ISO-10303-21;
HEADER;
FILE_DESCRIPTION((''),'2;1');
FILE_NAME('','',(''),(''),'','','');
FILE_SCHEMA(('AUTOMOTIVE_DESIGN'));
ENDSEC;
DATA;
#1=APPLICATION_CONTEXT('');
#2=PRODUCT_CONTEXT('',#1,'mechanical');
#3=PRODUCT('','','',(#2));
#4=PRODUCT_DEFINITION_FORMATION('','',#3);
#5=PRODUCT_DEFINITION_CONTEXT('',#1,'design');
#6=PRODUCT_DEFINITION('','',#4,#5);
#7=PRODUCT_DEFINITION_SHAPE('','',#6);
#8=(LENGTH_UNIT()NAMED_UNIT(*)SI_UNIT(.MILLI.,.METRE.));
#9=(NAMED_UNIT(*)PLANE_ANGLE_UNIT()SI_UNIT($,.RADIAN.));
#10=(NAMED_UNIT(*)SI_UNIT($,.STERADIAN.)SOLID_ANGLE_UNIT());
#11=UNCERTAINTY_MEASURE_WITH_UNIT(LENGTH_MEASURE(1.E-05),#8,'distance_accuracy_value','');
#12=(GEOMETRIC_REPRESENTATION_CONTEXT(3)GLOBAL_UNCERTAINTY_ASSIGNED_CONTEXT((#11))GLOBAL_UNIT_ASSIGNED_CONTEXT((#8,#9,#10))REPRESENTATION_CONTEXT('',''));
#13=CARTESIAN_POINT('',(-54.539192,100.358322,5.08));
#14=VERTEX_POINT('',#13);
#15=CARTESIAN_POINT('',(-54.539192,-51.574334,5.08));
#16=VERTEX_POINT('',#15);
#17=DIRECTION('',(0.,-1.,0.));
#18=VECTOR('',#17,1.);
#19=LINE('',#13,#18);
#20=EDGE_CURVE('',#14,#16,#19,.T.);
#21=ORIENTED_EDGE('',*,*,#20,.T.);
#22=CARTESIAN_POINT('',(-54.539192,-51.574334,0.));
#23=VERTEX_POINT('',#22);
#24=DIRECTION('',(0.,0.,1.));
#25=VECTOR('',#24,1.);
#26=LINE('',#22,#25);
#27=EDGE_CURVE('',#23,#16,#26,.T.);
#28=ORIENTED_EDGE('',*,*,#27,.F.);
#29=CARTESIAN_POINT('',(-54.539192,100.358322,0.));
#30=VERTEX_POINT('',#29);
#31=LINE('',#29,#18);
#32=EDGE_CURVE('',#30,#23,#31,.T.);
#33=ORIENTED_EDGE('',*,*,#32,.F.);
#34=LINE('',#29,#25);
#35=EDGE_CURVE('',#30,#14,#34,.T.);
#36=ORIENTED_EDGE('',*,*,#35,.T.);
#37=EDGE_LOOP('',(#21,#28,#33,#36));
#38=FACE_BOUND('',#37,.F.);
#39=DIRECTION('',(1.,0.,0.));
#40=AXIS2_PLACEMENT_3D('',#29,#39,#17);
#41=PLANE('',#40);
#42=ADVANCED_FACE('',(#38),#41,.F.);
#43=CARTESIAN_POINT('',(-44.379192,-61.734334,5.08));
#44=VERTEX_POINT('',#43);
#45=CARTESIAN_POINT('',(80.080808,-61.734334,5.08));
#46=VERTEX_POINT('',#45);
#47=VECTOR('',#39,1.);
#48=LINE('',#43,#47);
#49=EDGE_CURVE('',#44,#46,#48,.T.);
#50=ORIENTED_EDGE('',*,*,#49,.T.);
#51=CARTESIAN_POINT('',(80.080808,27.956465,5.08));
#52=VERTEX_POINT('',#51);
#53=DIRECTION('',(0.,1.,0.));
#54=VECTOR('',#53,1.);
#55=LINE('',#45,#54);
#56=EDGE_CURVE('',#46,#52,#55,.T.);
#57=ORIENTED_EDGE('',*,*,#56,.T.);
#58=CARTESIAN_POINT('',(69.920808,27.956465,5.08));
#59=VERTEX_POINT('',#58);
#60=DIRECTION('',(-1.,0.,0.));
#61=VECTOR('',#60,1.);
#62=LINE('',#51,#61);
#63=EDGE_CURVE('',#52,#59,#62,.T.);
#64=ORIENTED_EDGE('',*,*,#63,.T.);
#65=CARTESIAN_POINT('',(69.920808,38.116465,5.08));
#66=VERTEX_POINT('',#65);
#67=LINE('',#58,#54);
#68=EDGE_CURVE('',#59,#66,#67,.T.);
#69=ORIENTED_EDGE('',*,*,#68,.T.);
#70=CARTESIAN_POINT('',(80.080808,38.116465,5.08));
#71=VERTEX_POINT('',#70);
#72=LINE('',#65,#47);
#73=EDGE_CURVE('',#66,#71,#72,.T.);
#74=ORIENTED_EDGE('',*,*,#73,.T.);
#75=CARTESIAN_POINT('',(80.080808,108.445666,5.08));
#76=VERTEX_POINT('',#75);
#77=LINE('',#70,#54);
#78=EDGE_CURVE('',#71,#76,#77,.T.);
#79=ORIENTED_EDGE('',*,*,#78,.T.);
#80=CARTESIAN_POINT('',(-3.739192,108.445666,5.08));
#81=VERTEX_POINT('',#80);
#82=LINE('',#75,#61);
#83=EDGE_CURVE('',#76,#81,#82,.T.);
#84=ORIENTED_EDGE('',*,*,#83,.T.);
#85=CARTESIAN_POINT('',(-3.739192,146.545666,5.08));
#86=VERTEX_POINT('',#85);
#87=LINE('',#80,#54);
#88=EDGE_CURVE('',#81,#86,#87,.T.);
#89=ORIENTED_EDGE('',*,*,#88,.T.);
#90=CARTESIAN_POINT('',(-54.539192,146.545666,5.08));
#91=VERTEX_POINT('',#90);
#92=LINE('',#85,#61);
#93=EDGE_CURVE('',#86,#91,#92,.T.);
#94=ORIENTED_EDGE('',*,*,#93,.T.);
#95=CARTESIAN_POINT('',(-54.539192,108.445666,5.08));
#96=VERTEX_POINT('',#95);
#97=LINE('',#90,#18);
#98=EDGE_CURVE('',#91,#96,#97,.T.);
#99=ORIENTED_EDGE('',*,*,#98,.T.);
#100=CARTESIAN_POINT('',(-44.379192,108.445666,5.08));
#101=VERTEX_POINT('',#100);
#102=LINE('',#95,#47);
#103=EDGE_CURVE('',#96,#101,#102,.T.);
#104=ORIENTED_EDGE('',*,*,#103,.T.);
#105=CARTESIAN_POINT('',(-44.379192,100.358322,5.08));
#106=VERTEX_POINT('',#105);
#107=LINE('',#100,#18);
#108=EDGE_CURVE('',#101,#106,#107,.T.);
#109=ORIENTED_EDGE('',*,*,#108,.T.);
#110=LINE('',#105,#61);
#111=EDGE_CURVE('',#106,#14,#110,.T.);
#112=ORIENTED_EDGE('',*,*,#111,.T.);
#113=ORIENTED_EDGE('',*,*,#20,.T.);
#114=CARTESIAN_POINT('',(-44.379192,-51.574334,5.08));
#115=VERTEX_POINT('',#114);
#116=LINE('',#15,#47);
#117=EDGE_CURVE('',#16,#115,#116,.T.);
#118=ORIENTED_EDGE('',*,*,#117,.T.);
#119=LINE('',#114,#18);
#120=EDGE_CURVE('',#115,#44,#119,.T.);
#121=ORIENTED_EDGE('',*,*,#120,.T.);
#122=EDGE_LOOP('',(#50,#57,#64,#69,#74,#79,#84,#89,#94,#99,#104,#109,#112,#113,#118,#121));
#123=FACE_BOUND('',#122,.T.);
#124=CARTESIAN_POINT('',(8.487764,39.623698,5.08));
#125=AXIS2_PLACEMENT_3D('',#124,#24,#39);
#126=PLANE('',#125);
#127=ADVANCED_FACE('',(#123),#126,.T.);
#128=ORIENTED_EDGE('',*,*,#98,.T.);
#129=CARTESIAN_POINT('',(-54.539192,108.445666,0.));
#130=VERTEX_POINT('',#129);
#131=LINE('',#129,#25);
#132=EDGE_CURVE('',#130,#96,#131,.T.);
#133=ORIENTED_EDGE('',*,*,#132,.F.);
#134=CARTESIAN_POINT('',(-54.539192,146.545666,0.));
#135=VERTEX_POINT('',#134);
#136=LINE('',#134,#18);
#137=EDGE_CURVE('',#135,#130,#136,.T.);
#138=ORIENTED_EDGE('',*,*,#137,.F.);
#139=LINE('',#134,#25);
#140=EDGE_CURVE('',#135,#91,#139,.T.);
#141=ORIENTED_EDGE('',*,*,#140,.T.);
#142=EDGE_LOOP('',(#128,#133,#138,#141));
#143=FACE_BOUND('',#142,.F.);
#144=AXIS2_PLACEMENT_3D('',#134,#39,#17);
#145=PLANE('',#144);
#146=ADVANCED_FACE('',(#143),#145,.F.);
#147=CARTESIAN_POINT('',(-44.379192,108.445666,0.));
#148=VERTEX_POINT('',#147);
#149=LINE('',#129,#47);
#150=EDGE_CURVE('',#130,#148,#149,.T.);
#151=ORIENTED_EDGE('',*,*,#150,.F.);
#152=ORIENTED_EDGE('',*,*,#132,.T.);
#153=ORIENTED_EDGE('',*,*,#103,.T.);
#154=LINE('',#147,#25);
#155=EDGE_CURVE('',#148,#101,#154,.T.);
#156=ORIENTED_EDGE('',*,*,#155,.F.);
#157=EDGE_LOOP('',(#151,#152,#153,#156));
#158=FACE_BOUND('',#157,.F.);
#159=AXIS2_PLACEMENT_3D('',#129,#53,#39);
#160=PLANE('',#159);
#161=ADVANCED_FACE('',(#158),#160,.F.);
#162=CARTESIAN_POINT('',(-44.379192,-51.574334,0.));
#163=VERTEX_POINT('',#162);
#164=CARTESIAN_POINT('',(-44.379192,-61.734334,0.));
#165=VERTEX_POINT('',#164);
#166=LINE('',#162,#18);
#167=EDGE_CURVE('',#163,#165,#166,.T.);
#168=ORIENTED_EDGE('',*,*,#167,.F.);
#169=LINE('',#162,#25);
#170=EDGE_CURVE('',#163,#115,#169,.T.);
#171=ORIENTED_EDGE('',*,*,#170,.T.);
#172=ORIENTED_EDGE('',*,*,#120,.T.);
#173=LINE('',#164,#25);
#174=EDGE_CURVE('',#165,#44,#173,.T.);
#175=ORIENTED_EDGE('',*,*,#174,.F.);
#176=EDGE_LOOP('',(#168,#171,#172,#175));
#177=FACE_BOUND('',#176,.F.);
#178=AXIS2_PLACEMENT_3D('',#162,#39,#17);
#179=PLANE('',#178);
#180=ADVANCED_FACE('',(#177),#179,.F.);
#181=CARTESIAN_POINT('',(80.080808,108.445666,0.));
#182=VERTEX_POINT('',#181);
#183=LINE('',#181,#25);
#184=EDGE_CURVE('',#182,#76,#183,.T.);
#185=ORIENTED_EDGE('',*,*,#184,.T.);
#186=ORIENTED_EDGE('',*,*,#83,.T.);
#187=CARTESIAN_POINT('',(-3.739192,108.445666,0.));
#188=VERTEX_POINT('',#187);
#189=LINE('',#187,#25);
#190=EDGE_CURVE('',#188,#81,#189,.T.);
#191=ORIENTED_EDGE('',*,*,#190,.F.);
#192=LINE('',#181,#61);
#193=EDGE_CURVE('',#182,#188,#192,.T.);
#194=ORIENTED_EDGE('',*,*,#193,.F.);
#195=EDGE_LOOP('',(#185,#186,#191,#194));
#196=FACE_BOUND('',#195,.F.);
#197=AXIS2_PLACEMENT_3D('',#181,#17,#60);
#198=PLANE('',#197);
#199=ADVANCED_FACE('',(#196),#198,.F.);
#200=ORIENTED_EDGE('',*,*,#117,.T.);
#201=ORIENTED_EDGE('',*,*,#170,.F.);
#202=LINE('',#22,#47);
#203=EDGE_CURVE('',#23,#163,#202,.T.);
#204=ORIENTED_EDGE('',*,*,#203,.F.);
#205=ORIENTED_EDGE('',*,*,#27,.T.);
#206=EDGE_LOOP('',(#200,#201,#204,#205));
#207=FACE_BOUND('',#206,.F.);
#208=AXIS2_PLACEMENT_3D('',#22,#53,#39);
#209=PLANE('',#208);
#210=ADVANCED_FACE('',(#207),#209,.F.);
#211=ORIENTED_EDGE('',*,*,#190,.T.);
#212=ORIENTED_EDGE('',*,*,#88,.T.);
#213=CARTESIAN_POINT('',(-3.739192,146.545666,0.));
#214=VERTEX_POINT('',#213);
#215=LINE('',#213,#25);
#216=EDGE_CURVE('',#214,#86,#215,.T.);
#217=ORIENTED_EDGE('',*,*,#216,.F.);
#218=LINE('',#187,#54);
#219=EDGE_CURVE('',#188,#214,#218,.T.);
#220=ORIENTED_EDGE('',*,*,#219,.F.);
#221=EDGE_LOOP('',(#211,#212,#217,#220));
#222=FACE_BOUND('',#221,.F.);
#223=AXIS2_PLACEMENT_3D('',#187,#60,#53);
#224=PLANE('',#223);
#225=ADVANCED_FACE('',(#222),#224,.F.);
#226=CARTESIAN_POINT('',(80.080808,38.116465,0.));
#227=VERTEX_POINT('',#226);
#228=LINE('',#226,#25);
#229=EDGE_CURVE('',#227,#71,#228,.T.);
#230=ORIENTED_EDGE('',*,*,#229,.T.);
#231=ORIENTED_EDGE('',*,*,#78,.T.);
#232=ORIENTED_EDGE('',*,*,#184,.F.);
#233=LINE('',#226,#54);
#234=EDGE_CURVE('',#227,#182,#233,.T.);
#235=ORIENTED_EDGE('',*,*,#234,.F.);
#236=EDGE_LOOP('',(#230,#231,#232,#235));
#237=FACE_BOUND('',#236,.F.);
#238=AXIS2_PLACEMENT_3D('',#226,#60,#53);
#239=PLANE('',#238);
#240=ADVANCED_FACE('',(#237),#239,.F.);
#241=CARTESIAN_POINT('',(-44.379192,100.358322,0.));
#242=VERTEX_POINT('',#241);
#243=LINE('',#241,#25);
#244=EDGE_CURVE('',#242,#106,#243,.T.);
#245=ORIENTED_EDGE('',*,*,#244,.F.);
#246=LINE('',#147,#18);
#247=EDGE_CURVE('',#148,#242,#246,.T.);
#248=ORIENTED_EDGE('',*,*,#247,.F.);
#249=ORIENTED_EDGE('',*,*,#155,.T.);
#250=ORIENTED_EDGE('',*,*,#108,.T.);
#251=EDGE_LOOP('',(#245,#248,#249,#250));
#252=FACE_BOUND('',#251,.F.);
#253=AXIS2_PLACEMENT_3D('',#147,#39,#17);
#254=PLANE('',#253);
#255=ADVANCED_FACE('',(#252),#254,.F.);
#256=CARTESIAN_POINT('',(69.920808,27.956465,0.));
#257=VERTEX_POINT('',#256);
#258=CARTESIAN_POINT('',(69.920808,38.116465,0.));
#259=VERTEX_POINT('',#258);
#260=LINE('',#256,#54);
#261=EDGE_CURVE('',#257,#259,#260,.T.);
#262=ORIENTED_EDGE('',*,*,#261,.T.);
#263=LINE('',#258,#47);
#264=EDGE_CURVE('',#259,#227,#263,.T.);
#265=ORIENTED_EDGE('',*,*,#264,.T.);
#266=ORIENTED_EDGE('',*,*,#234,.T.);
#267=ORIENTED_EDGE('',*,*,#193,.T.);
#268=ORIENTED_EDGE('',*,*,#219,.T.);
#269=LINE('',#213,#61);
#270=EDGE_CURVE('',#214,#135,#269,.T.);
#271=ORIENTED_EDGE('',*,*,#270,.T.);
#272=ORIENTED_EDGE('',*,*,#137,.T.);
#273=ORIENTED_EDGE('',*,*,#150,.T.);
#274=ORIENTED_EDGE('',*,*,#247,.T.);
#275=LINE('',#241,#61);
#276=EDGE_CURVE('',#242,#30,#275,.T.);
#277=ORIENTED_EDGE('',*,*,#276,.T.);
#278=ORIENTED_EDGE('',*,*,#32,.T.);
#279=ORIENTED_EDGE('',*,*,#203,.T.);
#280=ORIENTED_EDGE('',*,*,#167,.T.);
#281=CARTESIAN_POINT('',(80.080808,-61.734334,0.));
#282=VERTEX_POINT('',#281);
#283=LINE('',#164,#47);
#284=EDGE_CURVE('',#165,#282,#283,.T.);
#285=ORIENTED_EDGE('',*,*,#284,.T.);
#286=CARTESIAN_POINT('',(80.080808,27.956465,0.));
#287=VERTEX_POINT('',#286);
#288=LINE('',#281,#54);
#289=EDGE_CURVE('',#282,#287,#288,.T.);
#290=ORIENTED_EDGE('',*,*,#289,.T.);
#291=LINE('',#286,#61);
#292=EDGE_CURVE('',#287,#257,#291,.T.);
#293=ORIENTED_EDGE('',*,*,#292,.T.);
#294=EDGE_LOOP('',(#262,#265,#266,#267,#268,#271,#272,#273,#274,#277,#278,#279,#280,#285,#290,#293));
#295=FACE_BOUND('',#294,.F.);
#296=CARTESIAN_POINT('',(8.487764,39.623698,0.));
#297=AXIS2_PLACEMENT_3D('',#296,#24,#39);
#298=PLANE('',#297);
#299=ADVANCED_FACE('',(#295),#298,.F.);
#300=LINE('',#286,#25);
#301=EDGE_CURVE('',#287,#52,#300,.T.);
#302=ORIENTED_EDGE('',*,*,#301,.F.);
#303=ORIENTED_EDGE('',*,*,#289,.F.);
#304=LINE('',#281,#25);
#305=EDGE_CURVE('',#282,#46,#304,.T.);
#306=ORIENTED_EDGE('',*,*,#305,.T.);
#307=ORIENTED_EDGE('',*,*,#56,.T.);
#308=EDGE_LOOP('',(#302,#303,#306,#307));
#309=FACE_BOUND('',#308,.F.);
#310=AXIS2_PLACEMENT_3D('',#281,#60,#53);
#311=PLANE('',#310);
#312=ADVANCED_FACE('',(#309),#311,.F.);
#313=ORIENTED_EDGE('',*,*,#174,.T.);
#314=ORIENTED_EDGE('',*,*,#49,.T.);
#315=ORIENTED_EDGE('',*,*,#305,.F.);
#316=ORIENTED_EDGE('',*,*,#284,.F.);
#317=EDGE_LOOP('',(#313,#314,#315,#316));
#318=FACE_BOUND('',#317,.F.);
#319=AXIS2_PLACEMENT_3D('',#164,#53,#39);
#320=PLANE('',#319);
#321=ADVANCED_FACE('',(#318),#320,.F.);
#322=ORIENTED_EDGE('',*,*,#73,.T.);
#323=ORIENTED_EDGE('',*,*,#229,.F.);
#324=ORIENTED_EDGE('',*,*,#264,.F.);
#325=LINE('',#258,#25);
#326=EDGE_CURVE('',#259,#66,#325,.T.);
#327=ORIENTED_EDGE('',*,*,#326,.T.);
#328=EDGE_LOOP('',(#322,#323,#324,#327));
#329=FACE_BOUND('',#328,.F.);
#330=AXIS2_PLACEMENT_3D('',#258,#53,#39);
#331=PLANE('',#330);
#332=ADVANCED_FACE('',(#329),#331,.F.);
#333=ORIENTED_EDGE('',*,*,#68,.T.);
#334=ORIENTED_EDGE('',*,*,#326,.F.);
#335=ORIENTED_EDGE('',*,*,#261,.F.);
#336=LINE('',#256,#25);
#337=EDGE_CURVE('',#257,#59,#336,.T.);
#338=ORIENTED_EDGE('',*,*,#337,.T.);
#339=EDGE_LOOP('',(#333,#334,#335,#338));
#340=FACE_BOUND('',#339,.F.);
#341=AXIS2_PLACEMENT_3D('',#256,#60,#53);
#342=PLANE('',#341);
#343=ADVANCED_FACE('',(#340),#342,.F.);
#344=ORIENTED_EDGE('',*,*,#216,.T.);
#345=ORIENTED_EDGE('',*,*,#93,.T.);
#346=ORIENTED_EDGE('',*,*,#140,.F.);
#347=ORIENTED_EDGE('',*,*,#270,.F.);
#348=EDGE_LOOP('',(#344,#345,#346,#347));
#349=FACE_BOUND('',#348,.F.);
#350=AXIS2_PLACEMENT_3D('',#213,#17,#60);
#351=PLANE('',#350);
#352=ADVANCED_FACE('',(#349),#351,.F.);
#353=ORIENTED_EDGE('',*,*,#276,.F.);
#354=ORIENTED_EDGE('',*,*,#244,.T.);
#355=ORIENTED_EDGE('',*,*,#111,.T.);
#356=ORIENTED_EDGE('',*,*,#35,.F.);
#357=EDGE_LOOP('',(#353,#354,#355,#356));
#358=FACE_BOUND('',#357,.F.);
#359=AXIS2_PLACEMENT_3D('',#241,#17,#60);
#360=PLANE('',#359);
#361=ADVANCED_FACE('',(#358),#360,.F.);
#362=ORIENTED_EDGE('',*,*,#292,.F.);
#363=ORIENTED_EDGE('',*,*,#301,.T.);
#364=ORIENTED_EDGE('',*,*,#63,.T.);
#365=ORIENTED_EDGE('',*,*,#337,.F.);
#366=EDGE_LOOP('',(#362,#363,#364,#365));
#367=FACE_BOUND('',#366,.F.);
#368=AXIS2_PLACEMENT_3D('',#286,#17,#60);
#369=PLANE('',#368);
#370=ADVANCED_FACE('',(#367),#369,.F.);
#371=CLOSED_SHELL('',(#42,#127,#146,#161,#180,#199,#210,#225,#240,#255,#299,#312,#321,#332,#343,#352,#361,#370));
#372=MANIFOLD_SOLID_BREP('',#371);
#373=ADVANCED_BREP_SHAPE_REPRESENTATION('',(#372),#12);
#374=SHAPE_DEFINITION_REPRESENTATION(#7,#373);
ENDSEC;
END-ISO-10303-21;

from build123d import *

# Parameters (mm, degrees)
F1_DEPTH = 5.08


with BuildPart() as f1:
    # F0 (on Top) → F1 (new body)
    with BuildSketch(Plane.XY):
        Polygon((-54.539192, 100.358322), (-54.539192, -51.574334), (-44.379192, -51.574334), (-44.379192, -61.734334), (80.080808, -61.734334), (80.080808, 27.956465), (69.920808, 27.956465), (69.920808, 38.116465), (80.080808, 38.116465), (80.080808, 108.445666), (-3.739192, 108.445666), (-3.739192, 146.545666), (-54.539192, 146.545666), (-54.539192, 108.445666), (-44.379192, 108.445666), (-44.379192, 100.358322), align=None)
    extrude(amount=F1_DEPTH)


solid = f1.part
